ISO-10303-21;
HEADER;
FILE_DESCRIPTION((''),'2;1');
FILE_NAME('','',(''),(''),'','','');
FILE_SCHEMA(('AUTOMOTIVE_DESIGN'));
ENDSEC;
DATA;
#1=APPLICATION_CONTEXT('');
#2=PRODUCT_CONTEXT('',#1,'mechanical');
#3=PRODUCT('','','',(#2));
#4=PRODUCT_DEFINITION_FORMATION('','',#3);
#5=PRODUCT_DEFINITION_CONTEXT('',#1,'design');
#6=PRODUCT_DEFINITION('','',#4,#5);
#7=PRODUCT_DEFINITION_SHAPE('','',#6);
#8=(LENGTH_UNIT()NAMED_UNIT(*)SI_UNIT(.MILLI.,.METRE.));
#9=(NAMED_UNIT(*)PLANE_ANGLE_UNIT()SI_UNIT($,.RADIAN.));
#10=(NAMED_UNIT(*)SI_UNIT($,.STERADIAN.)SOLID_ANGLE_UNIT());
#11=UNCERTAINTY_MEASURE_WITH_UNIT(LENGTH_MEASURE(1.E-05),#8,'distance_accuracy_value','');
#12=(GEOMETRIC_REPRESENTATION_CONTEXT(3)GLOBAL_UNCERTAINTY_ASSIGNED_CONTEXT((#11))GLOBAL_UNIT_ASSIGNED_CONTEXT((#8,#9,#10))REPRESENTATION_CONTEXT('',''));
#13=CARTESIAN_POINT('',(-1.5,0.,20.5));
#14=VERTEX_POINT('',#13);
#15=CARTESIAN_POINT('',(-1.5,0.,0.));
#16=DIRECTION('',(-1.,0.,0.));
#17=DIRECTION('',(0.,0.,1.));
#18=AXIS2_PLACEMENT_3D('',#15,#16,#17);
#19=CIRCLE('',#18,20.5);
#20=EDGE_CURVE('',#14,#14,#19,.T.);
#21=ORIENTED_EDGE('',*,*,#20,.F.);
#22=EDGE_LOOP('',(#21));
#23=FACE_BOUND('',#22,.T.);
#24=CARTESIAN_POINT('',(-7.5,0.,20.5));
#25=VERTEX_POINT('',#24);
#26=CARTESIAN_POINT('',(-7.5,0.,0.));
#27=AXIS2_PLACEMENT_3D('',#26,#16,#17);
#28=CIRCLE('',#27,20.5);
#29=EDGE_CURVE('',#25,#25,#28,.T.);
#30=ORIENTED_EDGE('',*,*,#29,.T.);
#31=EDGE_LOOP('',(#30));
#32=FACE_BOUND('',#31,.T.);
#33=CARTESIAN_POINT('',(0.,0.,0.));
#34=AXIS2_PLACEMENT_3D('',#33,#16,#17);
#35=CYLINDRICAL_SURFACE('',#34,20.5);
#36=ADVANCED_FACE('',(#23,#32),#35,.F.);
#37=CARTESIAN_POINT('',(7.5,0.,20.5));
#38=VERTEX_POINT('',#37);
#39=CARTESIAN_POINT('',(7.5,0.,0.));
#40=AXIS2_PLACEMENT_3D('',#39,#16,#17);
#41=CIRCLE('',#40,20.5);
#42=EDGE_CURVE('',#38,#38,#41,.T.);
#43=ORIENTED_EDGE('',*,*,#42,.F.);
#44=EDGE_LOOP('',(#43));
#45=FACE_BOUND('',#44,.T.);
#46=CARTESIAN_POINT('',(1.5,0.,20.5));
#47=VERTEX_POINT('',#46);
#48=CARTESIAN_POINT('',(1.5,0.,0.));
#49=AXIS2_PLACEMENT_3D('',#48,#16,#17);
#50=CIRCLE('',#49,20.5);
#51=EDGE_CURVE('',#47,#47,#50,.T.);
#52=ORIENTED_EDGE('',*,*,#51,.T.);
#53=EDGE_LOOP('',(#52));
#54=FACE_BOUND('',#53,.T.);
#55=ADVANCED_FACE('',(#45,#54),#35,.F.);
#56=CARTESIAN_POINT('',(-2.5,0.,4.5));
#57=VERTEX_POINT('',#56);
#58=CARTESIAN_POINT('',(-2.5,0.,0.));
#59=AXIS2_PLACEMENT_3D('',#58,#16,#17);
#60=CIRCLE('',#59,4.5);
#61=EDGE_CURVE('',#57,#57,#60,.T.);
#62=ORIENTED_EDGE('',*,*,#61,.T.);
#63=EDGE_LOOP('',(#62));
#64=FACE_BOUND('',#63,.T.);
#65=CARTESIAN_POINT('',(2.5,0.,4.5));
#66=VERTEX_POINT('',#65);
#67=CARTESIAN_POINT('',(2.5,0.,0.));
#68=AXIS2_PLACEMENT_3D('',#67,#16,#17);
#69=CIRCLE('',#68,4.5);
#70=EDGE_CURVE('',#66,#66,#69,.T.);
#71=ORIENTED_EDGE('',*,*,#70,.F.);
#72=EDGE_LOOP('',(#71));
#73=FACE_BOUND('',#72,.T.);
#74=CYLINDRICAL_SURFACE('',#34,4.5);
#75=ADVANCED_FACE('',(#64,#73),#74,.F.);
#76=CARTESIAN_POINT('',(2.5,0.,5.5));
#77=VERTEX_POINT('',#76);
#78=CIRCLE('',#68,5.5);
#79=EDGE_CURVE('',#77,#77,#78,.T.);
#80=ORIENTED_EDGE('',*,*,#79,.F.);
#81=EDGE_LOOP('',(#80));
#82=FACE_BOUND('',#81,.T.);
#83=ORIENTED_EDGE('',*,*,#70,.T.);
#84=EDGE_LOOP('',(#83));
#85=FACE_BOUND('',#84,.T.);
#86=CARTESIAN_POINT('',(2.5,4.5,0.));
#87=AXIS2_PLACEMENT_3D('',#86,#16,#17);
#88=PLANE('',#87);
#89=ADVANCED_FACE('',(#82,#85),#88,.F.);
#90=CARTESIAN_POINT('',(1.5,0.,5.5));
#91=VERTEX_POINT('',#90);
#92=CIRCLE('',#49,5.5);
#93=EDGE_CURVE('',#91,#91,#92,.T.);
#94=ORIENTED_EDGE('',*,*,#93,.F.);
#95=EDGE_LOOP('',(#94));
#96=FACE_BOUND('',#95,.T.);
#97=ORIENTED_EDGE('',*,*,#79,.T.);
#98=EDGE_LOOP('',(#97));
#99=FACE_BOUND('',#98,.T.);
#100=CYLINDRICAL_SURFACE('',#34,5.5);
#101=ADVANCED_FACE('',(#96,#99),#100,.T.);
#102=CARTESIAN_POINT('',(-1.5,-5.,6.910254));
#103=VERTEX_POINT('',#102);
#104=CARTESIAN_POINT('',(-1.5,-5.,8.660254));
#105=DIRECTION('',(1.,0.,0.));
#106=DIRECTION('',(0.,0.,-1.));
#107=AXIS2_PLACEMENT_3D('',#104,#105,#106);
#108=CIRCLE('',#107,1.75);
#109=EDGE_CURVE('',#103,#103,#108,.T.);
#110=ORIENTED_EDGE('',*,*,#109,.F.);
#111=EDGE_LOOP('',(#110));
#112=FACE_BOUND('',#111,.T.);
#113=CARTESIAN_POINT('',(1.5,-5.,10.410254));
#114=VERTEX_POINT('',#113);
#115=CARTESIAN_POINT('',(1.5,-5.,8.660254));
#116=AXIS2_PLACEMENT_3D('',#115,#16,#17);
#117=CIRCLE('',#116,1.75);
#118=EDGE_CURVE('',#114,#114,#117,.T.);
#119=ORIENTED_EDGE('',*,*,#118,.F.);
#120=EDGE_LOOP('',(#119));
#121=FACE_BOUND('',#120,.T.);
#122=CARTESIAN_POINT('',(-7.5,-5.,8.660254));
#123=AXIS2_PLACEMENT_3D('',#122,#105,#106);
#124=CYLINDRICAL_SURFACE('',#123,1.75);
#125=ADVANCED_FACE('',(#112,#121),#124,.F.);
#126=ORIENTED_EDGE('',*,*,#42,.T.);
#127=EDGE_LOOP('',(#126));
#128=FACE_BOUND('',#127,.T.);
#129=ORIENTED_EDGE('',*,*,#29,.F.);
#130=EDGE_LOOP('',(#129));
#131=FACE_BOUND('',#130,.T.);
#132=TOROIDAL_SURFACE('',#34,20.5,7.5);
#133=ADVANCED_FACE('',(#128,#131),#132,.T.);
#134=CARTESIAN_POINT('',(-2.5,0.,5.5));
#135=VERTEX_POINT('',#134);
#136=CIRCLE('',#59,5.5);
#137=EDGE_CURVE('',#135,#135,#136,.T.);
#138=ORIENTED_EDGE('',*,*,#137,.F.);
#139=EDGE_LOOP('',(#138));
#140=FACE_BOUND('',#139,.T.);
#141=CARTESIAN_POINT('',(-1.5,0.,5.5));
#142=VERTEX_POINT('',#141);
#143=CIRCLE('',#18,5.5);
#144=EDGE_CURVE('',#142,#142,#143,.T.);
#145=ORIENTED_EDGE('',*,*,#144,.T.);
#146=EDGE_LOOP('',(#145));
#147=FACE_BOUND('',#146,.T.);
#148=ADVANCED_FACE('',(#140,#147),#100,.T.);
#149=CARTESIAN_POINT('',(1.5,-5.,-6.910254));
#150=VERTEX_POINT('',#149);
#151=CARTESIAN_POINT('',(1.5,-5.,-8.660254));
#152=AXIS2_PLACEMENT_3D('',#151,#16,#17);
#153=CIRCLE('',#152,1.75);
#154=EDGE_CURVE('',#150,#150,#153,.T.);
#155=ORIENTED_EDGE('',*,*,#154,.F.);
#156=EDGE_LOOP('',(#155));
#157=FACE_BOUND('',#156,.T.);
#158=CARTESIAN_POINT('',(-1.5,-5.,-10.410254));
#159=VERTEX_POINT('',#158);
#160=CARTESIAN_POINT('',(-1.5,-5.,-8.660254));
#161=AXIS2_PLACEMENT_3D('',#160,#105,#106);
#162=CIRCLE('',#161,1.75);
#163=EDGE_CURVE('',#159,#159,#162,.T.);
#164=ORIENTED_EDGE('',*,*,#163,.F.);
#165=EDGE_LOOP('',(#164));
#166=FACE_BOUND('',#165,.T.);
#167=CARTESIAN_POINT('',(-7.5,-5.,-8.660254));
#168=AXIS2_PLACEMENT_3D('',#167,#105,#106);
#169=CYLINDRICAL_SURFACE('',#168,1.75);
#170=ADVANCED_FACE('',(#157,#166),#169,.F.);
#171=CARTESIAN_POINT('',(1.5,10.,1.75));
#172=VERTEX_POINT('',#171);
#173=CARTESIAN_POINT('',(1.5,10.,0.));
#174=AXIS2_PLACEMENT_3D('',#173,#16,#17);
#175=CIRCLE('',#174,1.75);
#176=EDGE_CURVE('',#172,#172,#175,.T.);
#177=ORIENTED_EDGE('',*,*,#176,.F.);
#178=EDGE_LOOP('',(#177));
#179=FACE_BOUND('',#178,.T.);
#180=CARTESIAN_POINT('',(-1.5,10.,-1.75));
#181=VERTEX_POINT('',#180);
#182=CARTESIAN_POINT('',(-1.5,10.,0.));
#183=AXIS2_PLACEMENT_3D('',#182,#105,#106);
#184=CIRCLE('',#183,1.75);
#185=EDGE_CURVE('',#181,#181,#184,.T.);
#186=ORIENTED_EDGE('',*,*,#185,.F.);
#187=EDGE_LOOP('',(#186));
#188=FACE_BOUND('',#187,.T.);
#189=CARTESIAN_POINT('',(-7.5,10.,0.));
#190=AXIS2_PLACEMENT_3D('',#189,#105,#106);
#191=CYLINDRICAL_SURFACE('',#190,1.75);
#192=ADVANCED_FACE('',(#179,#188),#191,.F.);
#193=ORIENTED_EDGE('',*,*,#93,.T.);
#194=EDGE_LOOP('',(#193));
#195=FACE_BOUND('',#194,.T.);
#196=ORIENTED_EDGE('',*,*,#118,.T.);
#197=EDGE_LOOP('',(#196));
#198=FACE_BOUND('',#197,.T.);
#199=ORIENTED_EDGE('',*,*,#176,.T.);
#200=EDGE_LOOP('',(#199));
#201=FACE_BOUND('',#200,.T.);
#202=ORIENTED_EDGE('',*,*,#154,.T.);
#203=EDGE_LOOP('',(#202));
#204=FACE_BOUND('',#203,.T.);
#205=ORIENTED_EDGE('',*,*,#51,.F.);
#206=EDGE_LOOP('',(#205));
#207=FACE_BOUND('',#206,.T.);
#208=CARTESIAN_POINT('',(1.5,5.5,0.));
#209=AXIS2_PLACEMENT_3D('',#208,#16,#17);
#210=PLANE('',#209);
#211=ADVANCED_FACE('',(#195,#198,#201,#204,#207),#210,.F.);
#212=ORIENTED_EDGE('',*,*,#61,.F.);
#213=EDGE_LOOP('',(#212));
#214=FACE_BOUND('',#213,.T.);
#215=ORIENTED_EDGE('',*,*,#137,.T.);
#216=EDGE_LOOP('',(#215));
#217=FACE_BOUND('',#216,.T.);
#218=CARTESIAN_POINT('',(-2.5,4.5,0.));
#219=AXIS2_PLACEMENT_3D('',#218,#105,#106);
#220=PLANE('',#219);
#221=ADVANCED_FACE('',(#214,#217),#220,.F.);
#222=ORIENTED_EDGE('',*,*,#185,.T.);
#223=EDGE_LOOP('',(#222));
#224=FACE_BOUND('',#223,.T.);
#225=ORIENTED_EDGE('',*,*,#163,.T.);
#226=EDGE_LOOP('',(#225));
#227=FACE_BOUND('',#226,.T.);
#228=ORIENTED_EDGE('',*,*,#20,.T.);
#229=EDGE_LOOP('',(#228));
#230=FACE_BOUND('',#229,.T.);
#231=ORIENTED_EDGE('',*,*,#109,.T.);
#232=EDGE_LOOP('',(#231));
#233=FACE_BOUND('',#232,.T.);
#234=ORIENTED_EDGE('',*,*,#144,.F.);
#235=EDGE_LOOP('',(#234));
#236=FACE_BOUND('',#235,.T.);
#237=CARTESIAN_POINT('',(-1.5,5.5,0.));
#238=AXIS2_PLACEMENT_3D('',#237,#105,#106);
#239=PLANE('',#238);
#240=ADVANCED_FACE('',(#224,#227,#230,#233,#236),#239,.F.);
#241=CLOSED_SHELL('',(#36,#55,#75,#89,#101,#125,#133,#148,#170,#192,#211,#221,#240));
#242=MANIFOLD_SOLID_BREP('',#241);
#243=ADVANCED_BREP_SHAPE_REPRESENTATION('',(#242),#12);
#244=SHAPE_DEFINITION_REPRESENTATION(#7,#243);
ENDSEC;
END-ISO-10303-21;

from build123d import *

# Parameters (mm, degrees)
SKETCH_2_R               = 1.75
CUT_EXTRUDE_1_DEPTH      = 8.5
CUT_EXTRUDE_1_DEPTH_BACK = 8.5


with BuildPart() as part:
    # ｽｹｯﾁ1 → 回転1 (revolve)
    with BuildSketch(Plane.XY):
        with BuildLine():
            Line((-2.5, 4.5), (2.5, 4.5))
            Line((2.5, 4.5), (2.5, 5.5))
            Line((2.5, 5.5), (1.5, 5.5))
            Line((1.5, 5.5), (1.5, 20.5))
            Line((1.5, 20.5), (7.5, 20.5))
            ThreePointArc((7.5, 20.5), (0, 28), (-7.5, 20.5))
            Line((-7.5, 20.5), (-1.5, 20.5))
            Line((-1.5, 20.5), (-1.5, 5.5))
            Line((-1.5, 5.5), (-2.5, 5.5))
            Line((-2.5, 5.5), (-2.5, 4.5))
        make_face()
    revolve(axis=Axis((0, 0, 0), (1, 0, 0)))

    # ｽｹｯﾁ2 → ｶｯﾄ - 押し出し1 (cut, two sides)
    with BuildSketch(Plane(origin=(0, 0, 0), x_dir=(0, 0, -1), z_dir=(1, 0, 0))) as cut_extrude_1_sk:
        with Locations((0, 10)):
            Circle(SKETCH_2_R)
        with Locations((8.660254038, -5)):
            Circle(SKETCH_2_R)
        with Locations((-8.660254038, -5)):
            Circle(SKETCH_2_R)
    extrude(amount=CUT_EXTRUDE_1_DEPTH, mode=Mode.SUBTRACT)
    extrude(cut_extrude_1_sk.sketch, amount=-CUT_EXTRUDE_1_DEPTH_BACK, mode=Mode.SUBTRACT)


solid = part.part
